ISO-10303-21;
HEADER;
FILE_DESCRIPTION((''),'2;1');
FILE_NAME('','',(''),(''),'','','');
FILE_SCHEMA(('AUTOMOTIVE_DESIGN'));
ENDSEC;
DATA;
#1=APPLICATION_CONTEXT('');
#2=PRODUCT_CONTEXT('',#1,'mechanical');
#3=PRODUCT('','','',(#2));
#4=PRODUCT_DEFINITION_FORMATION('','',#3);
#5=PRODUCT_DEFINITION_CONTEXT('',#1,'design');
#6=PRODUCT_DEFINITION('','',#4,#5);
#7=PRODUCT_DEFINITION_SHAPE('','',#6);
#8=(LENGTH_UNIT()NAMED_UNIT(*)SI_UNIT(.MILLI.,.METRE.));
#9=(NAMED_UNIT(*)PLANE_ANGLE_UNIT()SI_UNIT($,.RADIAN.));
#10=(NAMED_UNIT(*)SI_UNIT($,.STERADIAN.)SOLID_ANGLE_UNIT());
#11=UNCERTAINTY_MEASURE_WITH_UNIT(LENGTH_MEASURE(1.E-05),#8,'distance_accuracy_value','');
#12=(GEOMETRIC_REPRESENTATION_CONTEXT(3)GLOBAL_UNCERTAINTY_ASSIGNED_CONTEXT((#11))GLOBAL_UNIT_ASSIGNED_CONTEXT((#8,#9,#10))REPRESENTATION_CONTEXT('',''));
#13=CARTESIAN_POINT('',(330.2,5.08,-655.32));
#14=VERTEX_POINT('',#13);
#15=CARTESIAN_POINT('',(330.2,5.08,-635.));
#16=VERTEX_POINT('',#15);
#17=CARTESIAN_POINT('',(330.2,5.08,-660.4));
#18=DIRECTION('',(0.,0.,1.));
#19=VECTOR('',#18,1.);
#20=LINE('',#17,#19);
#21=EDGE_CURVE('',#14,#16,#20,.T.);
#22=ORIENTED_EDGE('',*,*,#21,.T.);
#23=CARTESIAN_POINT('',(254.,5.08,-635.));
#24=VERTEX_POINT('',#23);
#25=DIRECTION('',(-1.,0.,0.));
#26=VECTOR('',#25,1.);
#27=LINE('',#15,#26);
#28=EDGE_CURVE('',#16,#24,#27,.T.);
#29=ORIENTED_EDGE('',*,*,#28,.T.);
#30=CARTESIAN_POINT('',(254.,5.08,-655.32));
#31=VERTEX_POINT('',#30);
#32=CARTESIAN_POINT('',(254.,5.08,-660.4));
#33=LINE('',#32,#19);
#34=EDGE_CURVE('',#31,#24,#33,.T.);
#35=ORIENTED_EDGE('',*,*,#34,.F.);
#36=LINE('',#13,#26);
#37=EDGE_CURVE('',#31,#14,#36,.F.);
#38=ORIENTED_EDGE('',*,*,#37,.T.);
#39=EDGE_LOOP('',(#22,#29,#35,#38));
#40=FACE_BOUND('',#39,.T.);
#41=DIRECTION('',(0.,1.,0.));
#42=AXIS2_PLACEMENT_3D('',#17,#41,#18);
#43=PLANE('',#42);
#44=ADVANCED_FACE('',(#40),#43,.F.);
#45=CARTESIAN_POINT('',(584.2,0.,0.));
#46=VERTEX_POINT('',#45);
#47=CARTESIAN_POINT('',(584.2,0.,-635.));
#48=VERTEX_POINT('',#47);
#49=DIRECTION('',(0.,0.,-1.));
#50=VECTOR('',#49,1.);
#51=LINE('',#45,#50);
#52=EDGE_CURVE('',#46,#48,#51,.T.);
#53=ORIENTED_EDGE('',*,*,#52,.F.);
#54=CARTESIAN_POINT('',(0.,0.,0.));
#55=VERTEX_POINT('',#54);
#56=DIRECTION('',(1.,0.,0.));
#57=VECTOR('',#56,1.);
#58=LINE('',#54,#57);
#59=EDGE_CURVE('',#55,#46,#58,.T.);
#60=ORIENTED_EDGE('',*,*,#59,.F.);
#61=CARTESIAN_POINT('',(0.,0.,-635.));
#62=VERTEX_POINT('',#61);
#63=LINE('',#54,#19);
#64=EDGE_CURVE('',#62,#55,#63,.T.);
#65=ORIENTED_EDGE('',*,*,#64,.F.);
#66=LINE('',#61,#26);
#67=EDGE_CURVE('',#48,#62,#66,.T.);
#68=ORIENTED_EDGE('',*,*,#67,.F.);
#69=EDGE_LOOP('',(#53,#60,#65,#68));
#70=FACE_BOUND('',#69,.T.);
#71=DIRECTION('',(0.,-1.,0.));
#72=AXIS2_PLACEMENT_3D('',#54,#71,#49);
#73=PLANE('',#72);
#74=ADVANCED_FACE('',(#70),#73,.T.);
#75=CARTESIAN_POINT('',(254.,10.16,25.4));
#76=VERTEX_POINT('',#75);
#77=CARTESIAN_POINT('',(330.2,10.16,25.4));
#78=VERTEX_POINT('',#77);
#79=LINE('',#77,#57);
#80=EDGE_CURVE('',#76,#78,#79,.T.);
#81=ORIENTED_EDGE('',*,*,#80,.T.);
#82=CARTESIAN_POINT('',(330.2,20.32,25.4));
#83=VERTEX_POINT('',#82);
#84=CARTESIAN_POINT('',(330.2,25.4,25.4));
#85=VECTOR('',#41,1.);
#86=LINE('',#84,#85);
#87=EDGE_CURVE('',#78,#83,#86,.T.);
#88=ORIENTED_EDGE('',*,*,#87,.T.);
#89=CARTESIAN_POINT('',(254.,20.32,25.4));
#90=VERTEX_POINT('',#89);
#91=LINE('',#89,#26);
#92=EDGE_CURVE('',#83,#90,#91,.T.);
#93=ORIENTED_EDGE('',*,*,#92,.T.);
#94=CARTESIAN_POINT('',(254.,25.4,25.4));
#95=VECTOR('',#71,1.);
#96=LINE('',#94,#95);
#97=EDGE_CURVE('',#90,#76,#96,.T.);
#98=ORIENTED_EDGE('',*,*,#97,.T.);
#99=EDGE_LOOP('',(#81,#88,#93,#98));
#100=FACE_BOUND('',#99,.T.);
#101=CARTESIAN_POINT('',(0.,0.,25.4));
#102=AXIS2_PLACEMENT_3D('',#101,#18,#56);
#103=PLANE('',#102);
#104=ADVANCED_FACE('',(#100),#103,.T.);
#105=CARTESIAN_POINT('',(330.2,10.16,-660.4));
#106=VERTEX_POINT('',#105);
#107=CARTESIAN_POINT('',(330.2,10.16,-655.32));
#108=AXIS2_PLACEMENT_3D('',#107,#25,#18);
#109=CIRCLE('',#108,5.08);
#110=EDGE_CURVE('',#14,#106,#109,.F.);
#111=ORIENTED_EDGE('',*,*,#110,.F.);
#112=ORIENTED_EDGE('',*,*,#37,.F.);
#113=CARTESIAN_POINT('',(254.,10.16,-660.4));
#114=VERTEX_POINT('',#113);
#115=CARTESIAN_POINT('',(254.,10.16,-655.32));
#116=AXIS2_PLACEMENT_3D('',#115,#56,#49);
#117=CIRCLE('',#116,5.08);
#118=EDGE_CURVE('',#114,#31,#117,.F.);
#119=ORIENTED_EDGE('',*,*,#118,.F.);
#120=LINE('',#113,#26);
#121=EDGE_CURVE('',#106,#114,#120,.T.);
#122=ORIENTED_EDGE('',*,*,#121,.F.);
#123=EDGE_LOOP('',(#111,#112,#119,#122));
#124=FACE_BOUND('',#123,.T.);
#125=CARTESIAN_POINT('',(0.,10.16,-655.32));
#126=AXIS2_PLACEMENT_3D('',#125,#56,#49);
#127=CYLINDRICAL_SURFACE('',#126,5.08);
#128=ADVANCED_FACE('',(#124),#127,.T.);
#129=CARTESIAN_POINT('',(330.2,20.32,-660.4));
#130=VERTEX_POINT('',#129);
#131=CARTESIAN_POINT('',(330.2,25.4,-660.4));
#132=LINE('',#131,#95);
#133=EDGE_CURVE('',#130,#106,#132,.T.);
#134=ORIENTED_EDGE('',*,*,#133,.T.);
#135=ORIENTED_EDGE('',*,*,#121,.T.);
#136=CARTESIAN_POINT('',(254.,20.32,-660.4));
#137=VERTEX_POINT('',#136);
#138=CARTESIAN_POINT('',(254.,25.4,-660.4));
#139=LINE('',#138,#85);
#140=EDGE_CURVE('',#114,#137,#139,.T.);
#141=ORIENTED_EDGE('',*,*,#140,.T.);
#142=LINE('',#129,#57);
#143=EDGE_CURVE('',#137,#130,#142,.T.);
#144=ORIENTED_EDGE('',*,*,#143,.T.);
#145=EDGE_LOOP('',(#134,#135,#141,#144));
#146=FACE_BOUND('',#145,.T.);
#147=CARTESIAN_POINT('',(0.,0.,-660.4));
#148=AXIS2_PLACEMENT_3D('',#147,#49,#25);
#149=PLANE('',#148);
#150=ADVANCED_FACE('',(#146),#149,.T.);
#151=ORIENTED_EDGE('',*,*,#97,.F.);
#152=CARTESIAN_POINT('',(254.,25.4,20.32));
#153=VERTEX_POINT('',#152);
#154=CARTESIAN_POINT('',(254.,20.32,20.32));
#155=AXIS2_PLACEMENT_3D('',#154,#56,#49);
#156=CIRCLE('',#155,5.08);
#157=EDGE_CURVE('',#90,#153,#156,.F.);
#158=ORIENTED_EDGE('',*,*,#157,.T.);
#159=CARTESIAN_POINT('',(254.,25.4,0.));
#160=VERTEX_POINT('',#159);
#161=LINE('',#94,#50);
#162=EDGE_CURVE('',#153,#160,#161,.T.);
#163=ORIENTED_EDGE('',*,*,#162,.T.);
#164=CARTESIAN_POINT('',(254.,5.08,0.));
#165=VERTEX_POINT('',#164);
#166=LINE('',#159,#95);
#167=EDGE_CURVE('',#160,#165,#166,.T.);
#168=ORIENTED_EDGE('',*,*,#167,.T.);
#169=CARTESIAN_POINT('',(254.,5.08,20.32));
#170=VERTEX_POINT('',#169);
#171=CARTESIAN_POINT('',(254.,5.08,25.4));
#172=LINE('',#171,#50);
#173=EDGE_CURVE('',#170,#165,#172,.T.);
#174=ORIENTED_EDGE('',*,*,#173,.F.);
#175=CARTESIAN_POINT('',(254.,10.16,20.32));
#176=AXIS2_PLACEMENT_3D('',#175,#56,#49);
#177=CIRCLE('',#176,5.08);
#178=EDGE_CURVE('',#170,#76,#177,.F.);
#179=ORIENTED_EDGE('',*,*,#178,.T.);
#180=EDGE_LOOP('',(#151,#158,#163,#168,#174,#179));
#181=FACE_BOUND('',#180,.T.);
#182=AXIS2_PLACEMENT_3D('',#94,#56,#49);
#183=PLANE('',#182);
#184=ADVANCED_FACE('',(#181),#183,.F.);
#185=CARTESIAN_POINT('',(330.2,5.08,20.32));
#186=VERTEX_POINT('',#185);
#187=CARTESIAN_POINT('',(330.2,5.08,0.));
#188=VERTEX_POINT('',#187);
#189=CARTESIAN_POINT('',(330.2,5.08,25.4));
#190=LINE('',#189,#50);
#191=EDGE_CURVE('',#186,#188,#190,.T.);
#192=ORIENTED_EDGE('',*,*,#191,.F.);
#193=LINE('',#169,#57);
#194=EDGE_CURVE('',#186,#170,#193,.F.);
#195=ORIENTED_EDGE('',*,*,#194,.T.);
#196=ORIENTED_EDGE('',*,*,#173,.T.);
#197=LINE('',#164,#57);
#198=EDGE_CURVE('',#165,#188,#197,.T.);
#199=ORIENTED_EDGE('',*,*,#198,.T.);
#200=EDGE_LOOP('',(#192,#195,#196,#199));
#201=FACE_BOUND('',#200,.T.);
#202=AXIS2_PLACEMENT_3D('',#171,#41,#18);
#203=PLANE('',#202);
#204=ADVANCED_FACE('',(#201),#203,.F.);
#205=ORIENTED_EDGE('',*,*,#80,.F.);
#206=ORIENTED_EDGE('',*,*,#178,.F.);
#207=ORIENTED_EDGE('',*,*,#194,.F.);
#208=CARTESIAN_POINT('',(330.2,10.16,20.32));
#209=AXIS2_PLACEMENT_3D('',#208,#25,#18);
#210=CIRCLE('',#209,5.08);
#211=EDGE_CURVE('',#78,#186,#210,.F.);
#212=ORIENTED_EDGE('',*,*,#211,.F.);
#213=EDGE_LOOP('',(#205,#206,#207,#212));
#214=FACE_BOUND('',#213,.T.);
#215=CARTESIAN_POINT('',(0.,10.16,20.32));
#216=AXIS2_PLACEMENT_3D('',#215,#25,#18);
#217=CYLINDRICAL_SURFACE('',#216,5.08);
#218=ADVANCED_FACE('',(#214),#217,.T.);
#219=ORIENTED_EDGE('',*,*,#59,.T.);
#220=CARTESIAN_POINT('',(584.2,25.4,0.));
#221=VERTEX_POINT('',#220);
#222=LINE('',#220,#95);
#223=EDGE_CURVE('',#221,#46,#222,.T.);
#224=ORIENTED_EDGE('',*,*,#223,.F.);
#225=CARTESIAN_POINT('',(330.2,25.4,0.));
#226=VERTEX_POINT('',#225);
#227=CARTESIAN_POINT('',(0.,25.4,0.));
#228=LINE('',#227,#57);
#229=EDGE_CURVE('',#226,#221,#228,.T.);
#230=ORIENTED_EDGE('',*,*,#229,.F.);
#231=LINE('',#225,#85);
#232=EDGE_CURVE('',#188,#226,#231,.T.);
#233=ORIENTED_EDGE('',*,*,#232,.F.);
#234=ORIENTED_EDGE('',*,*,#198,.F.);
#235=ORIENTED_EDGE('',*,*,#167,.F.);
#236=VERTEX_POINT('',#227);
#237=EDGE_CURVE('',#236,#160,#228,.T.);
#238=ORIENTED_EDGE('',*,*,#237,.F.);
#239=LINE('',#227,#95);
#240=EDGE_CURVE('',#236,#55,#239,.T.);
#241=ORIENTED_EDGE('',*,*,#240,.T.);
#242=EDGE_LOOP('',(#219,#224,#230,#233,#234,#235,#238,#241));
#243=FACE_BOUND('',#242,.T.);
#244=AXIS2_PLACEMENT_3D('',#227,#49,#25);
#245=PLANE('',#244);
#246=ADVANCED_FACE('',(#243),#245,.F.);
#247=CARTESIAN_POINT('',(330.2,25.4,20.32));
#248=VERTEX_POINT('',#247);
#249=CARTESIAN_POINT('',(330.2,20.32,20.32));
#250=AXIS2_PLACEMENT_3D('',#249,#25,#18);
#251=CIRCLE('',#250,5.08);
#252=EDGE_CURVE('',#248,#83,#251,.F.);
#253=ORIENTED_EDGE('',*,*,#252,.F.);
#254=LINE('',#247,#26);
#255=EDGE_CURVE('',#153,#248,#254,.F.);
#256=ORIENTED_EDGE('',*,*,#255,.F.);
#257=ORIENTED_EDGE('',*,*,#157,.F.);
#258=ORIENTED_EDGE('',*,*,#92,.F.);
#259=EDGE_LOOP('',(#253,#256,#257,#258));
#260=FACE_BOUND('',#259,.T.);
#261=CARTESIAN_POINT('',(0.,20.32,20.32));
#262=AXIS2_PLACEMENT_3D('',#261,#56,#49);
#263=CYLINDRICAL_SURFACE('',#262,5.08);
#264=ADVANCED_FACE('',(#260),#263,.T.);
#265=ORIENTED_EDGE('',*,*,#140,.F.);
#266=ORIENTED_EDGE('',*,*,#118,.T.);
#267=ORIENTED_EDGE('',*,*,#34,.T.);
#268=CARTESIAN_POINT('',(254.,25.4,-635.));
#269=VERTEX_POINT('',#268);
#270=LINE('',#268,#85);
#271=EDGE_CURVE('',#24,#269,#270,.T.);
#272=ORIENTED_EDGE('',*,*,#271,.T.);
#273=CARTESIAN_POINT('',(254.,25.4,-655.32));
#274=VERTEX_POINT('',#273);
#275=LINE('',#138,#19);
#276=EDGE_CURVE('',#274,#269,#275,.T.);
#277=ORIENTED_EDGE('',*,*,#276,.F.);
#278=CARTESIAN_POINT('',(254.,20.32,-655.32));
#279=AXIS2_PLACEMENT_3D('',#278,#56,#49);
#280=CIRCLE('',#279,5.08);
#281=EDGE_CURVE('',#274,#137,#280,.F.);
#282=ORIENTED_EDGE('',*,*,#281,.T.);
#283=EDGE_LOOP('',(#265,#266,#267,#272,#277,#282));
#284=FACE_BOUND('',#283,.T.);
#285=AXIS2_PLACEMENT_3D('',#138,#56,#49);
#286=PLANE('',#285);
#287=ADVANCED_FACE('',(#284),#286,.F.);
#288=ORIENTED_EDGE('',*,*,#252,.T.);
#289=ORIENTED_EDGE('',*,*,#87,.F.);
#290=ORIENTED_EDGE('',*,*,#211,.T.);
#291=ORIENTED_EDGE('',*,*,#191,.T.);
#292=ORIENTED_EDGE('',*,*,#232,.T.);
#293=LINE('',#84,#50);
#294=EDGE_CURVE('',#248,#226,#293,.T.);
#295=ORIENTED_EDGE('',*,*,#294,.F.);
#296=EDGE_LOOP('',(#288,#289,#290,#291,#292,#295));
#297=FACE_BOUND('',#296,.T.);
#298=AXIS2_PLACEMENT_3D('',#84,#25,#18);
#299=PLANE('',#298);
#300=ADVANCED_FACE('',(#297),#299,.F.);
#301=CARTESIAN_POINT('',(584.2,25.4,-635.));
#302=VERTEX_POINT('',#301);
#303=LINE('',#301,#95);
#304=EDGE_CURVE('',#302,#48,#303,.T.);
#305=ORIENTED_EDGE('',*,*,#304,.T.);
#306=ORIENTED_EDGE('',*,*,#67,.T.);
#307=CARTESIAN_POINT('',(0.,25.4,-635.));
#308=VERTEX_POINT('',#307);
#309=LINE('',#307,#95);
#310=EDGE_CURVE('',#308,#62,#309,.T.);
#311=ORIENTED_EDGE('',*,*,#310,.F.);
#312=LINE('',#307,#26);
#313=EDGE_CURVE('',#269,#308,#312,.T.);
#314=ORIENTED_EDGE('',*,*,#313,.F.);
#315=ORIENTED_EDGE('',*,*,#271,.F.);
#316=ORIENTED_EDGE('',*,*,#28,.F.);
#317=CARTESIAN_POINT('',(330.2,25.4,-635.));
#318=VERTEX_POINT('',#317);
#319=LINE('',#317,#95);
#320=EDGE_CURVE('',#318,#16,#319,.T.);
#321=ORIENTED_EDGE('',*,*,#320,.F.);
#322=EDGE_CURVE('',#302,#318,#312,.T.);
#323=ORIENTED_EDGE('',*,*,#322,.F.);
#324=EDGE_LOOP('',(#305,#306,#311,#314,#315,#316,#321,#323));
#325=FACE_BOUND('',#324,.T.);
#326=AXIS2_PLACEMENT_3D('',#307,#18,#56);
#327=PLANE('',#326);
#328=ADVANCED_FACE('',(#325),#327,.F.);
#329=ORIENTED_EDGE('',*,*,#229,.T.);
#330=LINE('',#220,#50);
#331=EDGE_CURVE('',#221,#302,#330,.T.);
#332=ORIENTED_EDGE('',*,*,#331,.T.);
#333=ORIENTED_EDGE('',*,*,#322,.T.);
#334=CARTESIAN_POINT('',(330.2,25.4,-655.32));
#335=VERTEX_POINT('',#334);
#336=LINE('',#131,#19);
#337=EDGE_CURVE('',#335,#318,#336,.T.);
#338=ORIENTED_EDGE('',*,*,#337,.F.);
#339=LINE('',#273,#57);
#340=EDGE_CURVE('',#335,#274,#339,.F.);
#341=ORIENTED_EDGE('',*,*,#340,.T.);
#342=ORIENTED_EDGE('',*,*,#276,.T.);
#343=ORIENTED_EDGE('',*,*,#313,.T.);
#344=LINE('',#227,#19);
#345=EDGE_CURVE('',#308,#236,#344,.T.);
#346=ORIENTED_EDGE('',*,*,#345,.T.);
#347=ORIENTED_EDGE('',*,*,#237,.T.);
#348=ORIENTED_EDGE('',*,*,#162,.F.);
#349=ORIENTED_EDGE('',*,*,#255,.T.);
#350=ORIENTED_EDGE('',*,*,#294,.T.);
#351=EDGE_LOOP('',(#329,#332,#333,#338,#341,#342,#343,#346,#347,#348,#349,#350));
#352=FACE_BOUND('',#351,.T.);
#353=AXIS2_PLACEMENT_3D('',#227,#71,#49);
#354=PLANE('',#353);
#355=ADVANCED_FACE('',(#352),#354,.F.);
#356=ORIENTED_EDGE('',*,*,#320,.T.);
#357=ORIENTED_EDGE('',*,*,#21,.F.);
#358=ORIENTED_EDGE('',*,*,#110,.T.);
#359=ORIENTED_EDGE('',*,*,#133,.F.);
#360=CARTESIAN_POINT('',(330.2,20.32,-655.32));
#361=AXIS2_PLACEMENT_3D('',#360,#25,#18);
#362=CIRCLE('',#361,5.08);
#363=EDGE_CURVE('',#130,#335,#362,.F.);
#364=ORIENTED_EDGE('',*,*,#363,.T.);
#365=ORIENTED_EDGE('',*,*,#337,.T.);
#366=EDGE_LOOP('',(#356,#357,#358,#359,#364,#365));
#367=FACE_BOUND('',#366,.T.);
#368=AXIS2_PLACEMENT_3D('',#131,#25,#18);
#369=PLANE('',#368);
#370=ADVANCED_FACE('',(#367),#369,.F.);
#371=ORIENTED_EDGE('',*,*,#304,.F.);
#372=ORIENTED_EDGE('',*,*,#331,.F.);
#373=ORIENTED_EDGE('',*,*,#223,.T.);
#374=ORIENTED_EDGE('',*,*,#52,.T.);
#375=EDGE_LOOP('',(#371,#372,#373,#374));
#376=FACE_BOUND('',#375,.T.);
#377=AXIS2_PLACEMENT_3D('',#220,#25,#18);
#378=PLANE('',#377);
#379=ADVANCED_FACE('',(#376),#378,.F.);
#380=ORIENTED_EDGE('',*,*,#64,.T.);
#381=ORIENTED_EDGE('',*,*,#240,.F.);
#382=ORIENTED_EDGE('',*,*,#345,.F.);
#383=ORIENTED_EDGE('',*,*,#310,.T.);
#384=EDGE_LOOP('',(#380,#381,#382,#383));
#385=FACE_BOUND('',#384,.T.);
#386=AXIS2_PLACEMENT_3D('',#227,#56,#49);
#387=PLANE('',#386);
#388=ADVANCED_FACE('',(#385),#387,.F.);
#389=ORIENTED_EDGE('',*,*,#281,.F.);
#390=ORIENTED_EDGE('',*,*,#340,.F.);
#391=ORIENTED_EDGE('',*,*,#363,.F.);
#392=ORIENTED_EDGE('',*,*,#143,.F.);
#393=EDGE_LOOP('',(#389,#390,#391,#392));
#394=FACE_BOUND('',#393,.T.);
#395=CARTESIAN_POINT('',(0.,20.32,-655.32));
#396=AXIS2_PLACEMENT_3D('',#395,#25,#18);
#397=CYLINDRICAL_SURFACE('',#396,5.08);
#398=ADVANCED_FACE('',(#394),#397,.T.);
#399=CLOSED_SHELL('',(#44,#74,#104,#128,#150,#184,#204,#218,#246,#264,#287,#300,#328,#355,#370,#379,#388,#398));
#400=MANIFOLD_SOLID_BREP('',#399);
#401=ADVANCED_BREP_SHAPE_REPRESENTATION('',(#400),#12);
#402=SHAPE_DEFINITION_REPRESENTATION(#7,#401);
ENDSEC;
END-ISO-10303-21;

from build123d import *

# Parameters (mm, degrees)
SKETCH1_W           = 584.2
SKETCH1_H           = 635
BOSS_EXTRUDE1_DEPTH = 25.4
SKETCH2_W           = 76.2
SKETCH2_H           = 20.32
BOSS_EXTRUDE2_DEPTH = 25.4
SKETCH3_W           = 76.2
SKETCH3_H           = 20.32
BOSS_EXTRUDE3_DEPTH = 25.4
FILLET1_R           = 5.08
FILLET2_R           = 5.08
FILLET3_R           = 5.08
FILLET4_R           = 5.08


with BuildPart() as part:
    # Sketch1 → Boss-Extrude1 (new body)
    with BuildSketch(Plane(origin=(0, 0, 0), x_dir=(1, 0, 0), z_dir=(0, 1, 0))):
        with Locations((292.1, 317.5)):
            Rectangle(SKETCH1_W, SKETCH1_H)
    extrude(amount=BOSS_EXTRUDE1_DEPTH)

    # Sketch2 → Boss-Extrude2 (add)
    with BuildSketch(Plane.XY):
        with Locations((292.1, 15.24)):
            Rectangle(SKETCH2_W, SKETCH2_H)
    extrude(amount=BOSS_EXTRUDE2_DEPTH)

    # Sketch3 → Boss-Extrude3 (add)
    with BuildSketch(Plane(origin=(0, 0, -635), x_dir=(-1, 0, 0), z_dir=(0, 0, -1))):
        with Locations((-292.1, 15.24)):
            Rectangle(SKETCH3_W, SKETCH3_H)
    extrude(amount=BOSS_EXTRUDE3_DEPTH)

    # Fillet1
    fillet1_edges = [part.edges().sort_by_distance(p)[0] for p in [
        (292.1, 25.4, -660.4),
    ]]
    fillet(fillet1_edges, radius=FILLET1_R)

    # Fillet2
    fillet2_edges = [part.edges().sort_by_distance(p)[0] for p in [
        (292.1, 5.08, -660.4),
    ]]
    fillet(fillet2_edges, radius=FILLET2_R)

    # Fillet3
    fillet3_edges = [part.edges().sort_by_distance(p)[0] for p in [
        (292.1, 5.08, 25.4),
    ]]
    fillet(fillet3_edges, radius=FILLET3_R)

    # Fillet4
    fillet4_edges = [part.edges().sort_by_distance(p)[0] for p in [
        (292.1, 25.4, 25.4),
    ]]
    fillet(fillet4_edges, radius=FILLET4_R)


solid = part.part
